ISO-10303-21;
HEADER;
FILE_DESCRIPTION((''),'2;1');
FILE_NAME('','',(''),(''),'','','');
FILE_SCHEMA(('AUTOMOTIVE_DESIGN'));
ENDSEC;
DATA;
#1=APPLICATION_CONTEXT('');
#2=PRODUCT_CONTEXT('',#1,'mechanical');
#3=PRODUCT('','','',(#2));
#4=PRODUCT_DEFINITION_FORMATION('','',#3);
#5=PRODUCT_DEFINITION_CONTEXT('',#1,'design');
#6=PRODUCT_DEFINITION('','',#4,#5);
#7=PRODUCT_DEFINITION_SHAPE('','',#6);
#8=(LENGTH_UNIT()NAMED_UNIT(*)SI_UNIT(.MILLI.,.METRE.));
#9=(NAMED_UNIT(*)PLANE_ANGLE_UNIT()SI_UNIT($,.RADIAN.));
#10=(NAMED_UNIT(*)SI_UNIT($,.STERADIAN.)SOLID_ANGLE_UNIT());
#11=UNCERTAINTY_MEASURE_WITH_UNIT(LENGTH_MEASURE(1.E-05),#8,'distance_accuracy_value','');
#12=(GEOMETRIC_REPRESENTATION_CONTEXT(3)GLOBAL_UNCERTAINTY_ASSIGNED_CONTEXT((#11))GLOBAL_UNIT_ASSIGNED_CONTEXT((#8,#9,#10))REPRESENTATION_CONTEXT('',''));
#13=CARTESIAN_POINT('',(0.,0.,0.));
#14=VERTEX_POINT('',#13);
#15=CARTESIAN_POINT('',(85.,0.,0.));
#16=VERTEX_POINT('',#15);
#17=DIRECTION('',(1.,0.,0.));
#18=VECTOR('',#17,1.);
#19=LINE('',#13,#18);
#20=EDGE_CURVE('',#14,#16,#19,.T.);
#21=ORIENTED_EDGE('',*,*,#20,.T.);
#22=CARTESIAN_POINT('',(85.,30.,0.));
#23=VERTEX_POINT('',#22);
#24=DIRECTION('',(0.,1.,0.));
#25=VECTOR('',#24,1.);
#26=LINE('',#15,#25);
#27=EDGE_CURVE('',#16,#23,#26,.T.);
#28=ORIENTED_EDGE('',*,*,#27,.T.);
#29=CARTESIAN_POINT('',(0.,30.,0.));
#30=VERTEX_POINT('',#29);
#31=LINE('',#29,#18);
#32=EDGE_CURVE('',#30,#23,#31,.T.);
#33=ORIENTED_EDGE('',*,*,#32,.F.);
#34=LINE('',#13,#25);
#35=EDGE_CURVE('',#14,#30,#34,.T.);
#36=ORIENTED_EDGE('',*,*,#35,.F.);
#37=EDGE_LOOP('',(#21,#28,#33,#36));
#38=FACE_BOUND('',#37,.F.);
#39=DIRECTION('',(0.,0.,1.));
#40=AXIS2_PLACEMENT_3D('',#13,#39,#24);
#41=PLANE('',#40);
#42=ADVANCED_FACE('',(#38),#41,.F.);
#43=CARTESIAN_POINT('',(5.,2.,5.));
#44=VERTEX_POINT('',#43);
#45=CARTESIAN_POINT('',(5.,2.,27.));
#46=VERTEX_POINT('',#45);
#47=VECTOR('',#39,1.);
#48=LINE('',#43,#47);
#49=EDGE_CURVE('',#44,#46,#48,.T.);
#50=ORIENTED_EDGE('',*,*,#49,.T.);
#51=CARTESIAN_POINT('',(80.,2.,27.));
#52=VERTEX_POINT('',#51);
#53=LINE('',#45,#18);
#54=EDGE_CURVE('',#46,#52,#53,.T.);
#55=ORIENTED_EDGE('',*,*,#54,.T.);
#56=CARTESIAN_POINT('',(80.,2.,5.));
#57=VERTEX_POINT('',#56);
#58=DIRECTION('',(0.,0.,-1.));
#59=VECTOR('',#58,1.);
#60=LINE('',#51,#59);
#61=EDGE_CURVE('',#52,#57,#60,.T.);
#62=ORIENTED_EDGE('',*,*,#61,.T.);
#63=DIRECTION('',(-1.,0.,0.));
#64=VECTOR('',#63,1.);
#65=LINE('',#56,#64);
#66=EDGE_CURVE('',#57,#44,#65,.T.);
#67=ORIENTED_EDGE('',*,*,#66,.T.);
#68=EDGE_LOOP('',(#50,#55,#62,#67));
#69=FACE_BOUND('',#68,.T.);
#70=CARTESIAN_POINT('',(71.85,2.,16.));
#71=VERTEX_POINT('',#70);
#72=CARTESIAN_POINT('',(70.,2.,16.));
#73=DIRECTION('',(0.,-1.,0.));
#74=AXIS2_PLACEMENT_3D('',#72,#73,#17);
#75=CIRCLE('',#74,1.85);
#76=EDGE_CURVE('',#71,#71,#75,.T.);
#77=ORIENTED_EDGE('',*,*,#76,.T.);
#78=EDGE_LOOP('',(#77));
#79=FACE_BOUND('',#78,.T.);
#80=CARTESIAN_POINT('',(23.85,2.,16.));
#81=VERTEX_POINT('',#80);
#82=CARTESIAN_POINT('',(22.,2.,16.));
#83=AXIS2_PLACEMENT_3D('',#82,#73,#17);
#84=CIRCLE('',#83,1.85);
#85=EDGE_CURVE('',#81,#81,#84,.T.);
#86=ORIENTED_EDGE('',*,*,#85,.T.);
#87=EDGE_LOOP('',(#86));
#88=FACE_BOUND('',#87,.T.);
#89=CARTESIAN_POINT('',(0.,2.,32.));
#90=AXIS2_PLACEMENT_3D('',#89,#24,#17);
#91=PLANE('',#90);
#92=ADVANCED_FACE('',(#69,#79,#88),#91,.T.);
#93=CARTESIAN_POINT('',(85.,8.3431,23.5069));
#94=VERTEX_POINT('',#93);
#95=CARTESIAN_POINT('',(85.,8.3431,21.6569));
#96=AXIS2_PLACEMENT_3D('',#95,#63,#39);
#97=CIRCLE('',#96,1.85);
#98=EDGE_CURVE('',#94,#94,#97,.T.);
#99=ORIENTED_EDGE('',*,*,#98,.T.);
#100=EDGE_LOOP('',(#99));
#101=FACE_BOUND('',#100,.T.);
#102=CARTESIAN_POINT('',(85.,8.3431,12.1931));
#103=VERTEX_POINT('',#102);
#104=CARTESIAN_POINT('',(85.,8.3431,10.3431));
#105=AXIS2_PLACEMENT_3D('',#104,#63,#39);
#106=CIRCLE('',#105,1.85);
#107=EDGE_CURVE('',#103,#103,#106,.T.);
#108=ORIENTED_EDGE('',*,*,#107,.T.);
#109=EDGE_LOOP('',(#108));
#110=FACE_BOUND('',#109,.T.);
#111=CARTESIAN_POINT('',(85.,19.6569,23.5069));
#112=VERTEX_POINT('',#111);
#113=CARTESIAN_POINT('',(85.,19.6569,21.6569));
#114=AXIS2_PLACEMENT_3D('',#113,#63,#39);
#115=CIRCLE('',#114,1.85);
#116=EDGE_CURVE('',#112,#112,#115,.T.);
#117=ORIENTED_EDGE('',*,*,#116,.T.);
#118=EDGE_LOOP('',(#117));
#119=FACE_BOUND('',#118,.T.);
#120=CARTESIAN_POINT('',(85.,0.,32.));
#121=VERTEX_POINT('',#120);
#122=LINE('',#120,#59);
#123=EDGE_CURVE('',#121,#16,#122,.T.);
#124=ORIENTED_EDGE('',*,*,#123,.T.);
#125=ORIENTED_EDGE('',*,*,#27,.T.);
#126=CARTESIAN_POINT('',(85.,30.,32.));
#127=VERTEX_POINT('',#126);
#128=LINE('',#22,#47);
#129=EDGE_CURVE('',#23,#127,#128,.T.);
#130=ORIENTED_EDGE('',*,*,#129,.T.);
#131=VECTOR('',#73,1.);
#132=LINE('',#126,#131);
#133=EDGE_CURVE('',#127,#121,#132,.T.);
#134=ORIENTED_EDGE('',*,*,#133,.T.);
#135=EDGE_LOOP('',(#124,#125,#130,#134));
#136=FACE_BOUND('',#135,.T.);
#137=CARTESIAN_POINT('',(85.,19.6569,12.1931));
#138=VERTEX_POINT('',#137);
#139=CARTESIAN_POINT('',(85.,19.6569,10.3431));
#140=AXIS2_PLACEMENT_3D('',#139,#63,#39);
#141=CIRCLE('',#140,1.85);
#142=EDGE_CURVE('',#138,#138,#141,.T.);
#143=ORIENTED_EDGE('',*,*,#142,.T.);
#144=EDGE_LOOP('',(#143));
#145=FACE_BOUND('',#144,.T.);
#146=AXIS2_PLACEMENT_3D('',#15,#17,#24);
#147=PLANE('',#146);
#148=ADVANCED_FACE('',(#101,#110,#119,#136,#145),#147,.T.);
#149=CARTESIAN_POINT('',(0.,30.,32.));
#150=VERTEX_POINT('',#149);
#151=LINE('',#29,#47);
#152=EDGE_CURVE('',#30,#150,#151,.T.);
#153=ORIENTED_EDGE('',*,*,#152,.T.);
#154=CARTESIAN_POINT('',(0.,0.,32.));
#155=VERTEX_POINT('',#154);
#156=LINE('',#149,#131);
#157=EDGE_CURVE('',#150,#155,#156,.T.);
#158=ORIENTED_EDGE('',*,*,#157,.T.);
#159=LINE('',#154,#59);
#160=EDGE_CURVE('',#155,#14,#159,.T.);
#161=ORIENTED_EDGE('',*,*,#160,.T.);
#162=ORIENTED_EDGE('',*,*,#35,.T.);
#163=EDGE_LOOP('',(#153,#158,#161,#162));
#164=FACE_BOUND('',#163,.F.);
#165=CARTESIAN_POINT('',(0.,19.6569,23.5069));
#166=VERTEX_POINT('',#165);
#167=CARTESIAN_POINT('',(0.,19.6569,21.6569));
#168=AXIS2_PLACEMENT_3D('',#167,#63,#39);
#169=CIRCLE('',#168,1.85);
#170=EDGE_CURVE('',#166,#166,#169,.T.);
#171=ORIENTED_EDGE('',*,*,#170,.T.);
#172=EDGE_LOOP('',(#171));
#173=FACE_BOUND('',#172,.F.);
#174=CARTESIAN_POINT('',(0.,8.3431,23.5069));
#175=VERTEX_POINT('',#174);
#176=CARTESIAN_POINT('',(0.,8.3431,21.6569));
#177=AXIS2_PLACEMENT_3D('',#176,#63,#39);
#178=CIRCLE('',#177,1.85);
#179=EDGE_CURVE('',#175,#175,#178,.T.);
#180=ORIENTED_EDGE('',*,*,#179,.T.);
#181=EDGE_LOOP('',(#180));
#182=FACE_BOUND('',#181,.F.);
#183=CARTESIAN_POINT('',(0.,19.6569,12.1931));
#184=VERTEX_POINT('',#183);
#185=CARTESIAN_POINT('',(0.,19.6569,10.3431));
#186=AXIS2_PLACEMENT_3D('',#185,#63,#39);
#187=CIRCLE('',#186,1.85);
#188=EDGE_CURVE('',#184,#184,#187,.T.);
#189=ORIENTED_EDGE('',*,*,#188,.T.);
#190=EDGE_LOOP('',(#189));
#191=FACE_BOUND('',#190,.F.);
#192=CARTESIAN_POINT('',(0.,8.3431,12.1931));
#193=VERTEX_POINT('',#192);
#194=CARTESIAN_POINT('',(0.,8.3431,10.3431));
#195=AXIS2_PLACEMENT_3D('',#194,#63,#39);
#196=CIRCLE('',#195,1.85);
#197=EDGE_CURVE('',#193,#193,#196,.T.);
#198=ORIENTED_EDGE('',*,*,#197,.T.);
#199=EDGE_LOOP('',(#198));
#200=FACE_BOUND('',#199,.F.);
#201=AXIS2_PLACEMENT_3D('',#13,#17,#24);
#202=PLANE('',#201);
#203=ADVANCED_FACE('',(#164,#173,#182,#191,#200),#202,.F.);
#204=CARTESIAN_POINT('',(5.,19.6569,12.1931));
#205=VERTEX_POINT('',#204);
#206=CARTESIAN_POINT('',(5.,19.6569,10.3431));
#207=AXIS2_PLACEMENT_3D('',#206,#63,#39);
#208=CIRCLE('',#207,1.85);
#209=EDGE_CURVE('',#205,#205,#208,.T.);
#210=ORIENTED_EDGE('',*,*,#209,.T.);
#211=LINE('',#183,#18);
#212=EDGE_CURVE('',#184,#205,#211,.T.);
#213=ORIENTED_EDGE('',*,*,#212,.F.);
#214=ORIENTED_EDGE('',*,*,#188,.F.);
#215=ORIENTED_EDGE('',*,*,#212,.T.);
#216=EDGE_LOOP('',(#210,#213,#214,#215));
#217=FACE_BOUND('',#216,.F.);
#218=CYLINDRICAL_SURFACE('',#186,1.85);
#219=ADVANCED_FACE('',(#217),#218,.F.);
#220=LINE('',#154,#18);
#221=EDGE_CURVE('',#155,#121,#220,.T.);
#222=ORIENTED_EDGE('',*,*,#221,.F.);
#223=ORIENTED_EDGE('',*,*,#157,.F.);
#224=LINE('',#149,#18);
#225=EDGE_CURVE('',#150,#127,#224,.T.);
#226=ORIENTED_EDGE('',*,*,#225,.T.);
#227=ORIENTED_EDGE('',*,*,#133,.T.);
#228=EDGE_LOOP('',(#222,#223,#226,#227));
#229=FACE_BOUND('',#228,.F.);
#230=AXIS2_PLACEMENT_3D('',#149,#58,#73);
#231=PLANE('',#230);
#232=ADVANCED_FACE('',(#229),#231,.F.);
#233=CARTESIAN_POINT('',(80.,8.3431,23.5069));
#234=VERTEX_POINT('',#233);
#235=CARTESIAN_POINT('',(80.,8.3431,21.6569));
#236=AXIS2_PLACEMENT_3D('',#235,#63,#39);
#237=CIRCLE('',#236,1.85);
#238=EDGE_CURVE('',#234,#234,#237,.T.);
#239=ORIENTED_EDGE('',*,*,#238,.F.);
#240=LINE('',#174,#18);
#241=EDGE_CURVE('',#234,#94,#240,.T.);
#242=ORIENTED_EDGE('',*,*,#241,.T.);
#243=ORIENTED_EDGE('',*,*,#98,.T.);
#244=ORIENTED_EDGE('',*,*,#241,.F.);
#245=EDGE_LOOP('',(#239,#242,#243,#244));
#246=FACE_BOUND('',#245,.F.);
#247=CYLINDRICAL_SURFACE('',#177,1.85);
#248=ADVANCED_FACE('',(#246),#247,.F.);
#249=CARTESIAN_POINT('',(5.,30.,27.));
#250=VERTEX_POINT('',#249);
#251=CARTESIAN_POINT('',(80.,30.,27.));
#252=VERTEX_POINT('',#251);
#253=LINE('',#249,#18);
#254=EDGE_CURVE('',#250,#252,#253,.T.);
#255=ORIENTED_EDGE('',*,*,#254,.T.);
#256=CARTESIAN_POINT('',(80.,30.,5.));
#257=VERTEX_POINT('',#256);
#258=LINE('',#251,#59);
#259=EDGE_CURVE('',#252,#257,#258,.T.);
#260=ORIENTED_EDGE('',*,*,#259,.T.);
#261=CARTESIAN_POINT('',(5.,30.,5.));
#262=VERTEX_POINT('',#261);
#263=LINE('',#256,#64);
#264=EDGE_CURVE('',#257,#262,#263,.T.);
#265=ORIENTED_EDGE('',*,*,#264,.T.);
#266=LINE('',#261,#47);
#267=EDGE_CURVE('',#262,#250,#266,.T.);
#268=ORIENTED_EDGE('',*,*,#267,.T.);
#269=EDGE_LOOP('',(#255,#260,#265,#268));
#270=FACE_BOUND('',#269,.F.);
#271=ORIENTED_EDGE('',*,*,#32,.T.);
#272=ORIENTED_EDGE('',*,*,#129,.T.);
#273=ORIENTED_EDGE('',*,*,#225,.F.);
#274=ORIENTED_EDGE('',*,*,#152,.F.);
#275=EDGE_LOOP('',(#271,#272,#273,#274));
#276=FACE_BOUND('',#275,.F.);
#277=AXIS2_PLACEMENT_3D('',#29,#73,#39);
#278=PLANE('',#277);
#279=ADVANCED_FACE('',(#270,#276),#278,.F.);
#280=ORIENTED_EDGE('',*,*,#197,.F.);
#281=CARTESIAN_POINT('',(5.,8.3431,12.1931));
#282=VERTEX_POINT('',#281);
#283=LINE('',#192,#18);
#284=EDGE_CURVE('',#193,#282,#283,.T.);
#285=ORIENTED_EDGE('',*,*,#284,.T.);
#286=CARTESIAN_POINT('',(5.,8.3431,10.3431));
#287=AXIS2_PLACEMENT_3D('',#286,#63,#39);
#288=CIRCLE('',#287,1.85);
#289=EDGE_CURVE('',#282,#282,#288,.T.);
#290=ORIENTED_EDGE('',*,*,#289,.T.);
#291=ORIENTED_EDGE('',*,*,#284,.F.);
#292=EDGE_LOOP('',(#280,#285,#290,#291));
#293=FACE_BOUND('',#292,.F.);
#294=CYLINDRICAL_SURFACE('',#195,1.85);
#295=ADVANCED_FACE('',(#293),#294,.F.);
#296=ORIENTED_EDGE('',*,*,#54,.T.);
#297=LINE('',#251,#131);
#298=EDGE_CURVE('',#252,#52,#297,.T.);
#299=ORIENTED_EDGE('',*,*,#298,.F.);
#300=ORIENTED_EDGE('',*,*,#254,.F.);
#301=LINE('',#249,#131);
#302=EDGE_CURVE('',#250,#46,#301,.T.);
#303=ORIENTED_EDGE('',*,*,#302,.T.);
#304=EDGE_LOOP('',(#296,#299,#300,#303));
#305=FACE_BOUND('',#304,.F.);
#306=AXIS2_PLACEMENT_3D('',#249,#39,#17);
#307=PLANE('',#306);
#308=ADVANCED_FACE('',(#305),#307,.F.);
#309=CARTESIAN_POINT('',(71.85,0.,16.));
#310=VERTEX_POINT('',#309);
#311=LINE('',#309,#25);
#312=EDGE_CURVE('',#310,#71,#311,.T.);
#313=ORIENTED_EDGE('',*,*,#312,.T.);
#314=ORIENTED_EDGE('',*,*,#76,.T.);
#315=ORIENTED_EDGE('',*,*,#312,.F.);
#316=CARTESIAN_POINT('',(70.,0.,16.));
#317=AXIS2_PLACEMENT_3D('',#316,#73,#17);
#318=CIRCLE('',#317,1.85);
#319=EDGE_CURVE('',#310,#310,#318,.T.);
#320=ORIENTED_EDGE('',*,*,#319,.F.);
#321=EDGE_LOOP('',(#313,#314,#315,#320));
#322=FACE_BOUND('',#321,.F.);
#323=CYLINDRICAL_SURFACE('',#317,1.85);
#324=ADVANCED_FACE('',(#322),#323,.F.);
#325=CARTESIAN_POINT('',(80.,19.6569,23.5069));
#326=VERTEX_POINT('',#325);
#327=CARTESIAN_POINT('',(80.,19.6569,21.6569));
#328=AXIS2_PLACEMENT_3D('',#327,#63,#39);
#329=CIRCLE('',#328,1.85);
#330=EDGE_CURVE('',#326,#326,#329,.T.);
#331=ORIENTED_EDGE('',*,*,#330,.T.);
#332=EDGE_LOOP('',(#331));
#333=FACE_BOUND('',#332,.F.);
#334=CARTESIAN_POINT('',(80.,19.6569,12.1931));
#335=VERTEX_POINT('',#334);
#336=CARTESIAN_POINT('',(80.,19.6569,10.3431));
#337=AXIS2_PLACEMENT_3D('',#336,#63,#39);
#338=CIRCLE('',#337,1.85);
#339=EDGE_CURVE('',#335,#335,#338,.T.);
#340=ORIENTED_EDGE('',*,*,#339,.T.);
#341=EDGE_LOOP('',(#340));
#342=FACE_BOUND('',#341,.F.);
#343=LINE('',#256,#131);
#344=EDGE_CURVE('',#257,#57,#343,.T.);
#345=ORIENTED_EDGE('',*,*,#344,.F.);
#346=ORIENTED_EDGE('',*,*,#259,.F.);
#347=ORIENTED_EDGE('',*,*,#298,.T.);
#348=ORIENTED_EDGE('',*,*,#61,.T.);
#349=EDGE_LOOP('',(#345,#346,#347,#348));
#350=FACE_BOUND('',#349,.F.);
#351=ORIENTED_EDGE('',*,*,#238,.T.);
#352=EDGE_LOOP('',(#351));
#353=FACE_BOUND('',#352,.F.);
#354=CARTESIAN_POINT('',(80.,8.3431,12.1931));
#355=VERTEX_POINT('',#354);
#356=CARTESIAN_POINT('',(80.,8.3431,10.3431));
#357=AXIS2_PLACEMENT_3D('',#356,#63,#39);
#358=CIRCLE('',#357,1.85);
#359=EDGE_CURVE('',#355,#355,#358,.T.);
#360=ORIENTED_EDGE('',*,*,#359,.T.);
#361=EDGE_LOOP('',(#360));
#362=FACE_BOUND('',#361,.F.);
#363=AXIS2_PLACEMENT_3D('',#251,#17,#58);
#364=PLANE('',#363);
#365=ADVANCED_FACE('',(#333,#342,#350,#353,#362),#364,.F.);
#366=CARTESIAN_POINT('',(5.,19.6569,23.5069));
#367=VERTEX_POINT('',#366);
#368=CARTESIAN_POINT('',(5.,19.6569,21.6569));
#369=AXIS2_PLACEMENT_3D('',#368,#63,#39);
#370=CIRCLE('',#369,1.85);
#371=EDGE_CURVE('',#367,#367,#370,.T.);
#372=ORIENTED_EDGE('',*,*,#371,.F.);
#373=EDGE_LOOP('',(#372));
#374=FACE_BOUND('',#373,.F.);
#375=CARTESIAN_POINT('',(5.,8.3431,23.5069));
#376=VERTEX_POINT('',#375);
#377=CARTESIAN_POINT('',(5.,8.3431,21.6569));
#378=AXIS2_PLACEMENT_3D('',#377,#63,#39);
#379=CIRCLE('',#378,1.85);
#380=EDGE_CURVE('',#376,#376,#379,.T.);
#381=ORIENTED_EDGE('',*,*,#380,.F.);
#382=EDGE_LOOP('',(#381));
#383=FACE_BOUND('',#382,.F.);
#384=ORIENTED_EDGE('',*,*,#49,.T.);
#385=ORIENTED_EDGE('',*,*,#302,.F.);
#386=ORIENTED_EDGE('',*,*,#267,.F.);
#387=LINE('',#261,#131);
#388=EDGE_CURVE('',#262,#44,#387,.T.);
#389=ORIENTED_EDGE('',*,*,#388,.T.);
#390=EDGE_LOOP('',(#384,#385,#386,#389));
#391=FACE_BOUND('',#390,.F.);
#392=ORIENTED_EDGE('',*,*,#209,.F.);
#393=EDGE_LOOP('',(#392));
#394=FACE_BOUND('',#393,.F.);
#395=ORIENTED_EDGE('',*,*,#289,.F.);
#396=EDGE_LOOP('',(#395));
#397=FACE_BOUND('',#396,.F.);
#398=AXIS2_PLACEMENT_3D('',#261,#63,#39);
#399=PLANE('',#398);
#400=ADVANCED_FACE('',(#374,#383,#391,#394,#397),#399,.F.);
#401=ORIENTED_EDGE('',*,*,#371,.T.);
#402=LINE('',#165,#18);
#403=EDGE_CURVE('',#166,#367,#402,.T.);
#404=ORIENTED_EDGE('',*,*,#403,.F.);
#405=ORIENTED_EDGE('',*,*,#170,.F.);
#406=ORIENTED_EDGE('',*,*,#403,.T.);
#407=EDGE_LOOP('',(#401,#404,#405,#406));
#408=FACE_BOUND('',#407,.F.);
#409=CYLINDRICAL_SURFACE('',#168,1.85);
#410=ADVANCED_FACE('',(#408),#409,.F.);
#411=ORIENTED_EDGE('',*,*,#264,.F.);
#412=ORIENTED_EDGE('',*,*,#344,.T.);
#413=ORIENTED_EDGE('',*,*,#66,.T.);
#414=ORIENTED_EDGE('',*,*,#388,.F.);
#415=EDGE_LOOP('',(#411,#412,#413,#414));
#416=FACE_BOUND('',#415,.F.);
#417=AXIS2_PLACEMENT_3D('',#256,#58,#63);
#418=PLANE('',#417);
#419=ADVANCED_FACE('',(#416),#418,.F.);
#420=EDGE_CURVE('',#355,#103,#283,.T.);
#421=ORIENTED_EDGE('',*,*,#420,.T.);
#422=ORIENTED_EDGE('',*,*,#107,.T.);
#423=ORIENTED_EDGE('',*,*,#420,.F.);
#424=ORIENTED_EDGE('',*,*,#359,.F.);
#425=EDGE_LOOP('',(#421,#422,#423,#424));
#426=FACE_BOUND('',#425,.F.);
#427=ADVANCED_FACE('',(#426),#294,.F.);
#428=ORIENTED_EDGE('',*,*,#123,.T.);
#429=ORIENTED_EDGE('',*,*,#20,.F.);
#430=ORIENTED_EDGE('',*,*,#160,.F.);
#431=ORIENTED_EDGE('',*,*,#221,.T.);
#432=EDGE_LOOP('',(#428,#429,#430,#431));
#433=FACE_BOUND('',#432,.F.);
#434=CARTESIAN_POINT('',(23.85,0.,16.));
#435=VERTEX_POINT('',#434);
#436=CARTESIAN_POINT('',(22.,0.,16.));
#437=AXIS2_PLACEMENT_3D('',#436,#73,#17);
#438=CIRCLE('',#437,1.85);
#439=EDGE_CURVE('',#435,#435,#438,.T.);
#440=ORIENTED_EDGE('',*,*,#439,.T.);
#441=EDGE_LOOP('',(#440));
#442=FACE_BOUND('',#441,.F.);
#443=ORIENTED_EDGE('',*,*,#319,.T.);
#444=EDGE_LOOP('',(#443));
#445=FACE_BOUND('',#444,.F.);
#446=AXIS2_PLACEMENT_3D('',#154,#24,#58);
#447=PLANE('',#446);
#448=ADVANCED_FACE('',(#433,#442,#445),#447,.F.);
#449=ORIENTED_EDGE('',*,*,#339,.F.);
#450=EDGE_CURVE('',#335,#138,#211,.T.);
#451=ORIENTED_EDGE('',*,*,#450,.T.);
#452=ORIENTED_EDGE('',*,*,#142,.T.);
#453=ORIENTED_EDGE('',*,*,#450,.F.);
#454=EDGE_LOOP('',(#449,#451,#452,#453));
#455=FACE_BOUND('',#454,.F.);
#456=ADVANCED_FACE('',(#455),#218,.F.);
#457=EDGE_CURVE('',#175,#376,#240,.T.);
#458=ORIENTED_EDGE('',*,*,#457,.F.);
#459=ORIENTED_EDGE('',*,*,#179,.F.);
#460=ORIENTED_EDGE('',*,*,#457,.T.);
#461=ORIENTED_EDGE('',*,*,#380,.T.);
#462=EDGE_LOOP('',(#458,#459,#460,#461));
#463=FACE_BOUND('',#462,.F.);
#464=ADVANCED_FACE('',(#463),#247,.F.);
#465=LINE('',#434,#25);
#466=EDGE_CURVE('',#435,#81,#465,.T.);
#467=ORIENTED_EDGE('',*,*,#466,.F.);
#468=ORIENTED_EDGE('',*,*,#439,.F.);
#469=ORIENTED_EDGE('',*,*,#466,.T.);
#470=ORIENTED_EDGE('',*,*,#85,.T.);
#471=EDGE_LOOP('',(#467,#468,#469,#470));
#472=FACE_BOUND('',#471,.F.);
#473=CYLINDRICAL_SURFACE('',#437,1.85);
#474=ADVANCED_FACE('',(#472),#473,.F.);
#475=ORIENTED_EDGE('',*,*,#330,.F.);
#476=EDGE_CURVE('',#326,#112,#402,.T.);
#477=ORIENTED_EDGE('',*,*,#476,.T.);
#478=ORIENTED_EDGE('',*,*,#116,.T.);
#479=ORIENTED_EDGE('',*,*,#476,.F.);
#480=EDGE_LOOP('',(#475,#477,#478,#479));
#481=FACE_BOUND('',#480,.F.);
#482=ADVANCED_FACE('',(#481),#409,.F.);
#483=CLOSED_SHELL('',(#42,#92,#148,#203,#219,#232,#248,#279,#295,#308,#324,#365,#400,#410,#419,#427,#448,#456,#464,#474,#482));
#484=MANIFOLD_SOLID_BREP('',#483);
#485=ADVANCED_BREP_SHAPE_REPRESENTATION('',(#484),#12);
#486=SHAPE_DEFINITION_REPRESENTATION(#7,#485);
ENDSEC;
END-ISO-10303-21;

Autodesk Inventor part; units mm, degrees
ref_plane "YZ Plane" through (0, 0, 0) normal (1, 0, 0) x (0, 1, 0)
ref_plane "XZ Plane" through (0, 0, 0) normal (0, 1, 0) x (-1, 0, 0)
ref_plane "XY Plane" through (0, 0, 0) normal (0, 0, 1) x (1, 0, 0)
sketch "Sketch1" plane through (0, 0, 0) normal (1, 0, 0) x (0, 1, 0)
  line L0 (0, 0) -> (30, 0)
  line L1 (30, 0) -> (30, 32)
  line L2 (30, 32) -> (0, 32)
  line L3 (0, 32) -> (0, 0)
  dimension "d0" = 30
  dimension "d1" = 32
extrude "Extrusion1" add sketch "Sketch1" along normal blind 85
sketch "Sketch2" plane through (0, 30, 32) normal (0, 1, 0) x (1, 0, 0)
  line L0 (0, 32) -> (0, 0) projected
  line L1 (0, 0) -> (85, 0) projected
  line L2 (85, 32) -> (85, 0) projected
  line L3 (0, 32) -> (85, 32) projected
  line L4 (5, 5) -> (80, 5)
  line L5 (80, 5) -> (80, 27)
  line L6 (80, 27) -> (5, 27)
  line L7 (5, 27) -> (5, 5)
  line L8 (5, 5) -> (80, 27) construction
  line L9 (80, 5) -> (5, 27) construction
  point P0 (42.5, 16)
  dimension "d12" = 75
  dimension "d13" = 22
extrude "Extrusion2" cut sketch "Sketch2" against normal blind 28 contours L7 L6 L5 L4
sketch "Sketch3" plane through (0, 0, 0) normal (-1, 0, 0) x (0, 0, 1)
  circle A0 centre (21.6569, 19.6569) radius 1.85
  circle A1 centre (21.6569, 8.3431) radius 1.85
  circle A2 centre (10.3431, 8.3431) radius 1.85
  circle A3 centre (10.3431, 19.6569) radius 1.85
  point P0 (0, 0)
extrude "Extrusion3" cut sketch "Sketch3" against normal through all
sketch "Sketch4" plane through (0, 0, 0) normal (0, -1, 0) x (1, 0, 0)
  circle A0 centre (22, 16) radius 1.85
  circle A1 centre (70, 16) radius 1.85
  point P0 (0, 0)
extrude "Extrusion5" cut sketch "Sketch4" against normal through all
properties part number "sidebracket"
